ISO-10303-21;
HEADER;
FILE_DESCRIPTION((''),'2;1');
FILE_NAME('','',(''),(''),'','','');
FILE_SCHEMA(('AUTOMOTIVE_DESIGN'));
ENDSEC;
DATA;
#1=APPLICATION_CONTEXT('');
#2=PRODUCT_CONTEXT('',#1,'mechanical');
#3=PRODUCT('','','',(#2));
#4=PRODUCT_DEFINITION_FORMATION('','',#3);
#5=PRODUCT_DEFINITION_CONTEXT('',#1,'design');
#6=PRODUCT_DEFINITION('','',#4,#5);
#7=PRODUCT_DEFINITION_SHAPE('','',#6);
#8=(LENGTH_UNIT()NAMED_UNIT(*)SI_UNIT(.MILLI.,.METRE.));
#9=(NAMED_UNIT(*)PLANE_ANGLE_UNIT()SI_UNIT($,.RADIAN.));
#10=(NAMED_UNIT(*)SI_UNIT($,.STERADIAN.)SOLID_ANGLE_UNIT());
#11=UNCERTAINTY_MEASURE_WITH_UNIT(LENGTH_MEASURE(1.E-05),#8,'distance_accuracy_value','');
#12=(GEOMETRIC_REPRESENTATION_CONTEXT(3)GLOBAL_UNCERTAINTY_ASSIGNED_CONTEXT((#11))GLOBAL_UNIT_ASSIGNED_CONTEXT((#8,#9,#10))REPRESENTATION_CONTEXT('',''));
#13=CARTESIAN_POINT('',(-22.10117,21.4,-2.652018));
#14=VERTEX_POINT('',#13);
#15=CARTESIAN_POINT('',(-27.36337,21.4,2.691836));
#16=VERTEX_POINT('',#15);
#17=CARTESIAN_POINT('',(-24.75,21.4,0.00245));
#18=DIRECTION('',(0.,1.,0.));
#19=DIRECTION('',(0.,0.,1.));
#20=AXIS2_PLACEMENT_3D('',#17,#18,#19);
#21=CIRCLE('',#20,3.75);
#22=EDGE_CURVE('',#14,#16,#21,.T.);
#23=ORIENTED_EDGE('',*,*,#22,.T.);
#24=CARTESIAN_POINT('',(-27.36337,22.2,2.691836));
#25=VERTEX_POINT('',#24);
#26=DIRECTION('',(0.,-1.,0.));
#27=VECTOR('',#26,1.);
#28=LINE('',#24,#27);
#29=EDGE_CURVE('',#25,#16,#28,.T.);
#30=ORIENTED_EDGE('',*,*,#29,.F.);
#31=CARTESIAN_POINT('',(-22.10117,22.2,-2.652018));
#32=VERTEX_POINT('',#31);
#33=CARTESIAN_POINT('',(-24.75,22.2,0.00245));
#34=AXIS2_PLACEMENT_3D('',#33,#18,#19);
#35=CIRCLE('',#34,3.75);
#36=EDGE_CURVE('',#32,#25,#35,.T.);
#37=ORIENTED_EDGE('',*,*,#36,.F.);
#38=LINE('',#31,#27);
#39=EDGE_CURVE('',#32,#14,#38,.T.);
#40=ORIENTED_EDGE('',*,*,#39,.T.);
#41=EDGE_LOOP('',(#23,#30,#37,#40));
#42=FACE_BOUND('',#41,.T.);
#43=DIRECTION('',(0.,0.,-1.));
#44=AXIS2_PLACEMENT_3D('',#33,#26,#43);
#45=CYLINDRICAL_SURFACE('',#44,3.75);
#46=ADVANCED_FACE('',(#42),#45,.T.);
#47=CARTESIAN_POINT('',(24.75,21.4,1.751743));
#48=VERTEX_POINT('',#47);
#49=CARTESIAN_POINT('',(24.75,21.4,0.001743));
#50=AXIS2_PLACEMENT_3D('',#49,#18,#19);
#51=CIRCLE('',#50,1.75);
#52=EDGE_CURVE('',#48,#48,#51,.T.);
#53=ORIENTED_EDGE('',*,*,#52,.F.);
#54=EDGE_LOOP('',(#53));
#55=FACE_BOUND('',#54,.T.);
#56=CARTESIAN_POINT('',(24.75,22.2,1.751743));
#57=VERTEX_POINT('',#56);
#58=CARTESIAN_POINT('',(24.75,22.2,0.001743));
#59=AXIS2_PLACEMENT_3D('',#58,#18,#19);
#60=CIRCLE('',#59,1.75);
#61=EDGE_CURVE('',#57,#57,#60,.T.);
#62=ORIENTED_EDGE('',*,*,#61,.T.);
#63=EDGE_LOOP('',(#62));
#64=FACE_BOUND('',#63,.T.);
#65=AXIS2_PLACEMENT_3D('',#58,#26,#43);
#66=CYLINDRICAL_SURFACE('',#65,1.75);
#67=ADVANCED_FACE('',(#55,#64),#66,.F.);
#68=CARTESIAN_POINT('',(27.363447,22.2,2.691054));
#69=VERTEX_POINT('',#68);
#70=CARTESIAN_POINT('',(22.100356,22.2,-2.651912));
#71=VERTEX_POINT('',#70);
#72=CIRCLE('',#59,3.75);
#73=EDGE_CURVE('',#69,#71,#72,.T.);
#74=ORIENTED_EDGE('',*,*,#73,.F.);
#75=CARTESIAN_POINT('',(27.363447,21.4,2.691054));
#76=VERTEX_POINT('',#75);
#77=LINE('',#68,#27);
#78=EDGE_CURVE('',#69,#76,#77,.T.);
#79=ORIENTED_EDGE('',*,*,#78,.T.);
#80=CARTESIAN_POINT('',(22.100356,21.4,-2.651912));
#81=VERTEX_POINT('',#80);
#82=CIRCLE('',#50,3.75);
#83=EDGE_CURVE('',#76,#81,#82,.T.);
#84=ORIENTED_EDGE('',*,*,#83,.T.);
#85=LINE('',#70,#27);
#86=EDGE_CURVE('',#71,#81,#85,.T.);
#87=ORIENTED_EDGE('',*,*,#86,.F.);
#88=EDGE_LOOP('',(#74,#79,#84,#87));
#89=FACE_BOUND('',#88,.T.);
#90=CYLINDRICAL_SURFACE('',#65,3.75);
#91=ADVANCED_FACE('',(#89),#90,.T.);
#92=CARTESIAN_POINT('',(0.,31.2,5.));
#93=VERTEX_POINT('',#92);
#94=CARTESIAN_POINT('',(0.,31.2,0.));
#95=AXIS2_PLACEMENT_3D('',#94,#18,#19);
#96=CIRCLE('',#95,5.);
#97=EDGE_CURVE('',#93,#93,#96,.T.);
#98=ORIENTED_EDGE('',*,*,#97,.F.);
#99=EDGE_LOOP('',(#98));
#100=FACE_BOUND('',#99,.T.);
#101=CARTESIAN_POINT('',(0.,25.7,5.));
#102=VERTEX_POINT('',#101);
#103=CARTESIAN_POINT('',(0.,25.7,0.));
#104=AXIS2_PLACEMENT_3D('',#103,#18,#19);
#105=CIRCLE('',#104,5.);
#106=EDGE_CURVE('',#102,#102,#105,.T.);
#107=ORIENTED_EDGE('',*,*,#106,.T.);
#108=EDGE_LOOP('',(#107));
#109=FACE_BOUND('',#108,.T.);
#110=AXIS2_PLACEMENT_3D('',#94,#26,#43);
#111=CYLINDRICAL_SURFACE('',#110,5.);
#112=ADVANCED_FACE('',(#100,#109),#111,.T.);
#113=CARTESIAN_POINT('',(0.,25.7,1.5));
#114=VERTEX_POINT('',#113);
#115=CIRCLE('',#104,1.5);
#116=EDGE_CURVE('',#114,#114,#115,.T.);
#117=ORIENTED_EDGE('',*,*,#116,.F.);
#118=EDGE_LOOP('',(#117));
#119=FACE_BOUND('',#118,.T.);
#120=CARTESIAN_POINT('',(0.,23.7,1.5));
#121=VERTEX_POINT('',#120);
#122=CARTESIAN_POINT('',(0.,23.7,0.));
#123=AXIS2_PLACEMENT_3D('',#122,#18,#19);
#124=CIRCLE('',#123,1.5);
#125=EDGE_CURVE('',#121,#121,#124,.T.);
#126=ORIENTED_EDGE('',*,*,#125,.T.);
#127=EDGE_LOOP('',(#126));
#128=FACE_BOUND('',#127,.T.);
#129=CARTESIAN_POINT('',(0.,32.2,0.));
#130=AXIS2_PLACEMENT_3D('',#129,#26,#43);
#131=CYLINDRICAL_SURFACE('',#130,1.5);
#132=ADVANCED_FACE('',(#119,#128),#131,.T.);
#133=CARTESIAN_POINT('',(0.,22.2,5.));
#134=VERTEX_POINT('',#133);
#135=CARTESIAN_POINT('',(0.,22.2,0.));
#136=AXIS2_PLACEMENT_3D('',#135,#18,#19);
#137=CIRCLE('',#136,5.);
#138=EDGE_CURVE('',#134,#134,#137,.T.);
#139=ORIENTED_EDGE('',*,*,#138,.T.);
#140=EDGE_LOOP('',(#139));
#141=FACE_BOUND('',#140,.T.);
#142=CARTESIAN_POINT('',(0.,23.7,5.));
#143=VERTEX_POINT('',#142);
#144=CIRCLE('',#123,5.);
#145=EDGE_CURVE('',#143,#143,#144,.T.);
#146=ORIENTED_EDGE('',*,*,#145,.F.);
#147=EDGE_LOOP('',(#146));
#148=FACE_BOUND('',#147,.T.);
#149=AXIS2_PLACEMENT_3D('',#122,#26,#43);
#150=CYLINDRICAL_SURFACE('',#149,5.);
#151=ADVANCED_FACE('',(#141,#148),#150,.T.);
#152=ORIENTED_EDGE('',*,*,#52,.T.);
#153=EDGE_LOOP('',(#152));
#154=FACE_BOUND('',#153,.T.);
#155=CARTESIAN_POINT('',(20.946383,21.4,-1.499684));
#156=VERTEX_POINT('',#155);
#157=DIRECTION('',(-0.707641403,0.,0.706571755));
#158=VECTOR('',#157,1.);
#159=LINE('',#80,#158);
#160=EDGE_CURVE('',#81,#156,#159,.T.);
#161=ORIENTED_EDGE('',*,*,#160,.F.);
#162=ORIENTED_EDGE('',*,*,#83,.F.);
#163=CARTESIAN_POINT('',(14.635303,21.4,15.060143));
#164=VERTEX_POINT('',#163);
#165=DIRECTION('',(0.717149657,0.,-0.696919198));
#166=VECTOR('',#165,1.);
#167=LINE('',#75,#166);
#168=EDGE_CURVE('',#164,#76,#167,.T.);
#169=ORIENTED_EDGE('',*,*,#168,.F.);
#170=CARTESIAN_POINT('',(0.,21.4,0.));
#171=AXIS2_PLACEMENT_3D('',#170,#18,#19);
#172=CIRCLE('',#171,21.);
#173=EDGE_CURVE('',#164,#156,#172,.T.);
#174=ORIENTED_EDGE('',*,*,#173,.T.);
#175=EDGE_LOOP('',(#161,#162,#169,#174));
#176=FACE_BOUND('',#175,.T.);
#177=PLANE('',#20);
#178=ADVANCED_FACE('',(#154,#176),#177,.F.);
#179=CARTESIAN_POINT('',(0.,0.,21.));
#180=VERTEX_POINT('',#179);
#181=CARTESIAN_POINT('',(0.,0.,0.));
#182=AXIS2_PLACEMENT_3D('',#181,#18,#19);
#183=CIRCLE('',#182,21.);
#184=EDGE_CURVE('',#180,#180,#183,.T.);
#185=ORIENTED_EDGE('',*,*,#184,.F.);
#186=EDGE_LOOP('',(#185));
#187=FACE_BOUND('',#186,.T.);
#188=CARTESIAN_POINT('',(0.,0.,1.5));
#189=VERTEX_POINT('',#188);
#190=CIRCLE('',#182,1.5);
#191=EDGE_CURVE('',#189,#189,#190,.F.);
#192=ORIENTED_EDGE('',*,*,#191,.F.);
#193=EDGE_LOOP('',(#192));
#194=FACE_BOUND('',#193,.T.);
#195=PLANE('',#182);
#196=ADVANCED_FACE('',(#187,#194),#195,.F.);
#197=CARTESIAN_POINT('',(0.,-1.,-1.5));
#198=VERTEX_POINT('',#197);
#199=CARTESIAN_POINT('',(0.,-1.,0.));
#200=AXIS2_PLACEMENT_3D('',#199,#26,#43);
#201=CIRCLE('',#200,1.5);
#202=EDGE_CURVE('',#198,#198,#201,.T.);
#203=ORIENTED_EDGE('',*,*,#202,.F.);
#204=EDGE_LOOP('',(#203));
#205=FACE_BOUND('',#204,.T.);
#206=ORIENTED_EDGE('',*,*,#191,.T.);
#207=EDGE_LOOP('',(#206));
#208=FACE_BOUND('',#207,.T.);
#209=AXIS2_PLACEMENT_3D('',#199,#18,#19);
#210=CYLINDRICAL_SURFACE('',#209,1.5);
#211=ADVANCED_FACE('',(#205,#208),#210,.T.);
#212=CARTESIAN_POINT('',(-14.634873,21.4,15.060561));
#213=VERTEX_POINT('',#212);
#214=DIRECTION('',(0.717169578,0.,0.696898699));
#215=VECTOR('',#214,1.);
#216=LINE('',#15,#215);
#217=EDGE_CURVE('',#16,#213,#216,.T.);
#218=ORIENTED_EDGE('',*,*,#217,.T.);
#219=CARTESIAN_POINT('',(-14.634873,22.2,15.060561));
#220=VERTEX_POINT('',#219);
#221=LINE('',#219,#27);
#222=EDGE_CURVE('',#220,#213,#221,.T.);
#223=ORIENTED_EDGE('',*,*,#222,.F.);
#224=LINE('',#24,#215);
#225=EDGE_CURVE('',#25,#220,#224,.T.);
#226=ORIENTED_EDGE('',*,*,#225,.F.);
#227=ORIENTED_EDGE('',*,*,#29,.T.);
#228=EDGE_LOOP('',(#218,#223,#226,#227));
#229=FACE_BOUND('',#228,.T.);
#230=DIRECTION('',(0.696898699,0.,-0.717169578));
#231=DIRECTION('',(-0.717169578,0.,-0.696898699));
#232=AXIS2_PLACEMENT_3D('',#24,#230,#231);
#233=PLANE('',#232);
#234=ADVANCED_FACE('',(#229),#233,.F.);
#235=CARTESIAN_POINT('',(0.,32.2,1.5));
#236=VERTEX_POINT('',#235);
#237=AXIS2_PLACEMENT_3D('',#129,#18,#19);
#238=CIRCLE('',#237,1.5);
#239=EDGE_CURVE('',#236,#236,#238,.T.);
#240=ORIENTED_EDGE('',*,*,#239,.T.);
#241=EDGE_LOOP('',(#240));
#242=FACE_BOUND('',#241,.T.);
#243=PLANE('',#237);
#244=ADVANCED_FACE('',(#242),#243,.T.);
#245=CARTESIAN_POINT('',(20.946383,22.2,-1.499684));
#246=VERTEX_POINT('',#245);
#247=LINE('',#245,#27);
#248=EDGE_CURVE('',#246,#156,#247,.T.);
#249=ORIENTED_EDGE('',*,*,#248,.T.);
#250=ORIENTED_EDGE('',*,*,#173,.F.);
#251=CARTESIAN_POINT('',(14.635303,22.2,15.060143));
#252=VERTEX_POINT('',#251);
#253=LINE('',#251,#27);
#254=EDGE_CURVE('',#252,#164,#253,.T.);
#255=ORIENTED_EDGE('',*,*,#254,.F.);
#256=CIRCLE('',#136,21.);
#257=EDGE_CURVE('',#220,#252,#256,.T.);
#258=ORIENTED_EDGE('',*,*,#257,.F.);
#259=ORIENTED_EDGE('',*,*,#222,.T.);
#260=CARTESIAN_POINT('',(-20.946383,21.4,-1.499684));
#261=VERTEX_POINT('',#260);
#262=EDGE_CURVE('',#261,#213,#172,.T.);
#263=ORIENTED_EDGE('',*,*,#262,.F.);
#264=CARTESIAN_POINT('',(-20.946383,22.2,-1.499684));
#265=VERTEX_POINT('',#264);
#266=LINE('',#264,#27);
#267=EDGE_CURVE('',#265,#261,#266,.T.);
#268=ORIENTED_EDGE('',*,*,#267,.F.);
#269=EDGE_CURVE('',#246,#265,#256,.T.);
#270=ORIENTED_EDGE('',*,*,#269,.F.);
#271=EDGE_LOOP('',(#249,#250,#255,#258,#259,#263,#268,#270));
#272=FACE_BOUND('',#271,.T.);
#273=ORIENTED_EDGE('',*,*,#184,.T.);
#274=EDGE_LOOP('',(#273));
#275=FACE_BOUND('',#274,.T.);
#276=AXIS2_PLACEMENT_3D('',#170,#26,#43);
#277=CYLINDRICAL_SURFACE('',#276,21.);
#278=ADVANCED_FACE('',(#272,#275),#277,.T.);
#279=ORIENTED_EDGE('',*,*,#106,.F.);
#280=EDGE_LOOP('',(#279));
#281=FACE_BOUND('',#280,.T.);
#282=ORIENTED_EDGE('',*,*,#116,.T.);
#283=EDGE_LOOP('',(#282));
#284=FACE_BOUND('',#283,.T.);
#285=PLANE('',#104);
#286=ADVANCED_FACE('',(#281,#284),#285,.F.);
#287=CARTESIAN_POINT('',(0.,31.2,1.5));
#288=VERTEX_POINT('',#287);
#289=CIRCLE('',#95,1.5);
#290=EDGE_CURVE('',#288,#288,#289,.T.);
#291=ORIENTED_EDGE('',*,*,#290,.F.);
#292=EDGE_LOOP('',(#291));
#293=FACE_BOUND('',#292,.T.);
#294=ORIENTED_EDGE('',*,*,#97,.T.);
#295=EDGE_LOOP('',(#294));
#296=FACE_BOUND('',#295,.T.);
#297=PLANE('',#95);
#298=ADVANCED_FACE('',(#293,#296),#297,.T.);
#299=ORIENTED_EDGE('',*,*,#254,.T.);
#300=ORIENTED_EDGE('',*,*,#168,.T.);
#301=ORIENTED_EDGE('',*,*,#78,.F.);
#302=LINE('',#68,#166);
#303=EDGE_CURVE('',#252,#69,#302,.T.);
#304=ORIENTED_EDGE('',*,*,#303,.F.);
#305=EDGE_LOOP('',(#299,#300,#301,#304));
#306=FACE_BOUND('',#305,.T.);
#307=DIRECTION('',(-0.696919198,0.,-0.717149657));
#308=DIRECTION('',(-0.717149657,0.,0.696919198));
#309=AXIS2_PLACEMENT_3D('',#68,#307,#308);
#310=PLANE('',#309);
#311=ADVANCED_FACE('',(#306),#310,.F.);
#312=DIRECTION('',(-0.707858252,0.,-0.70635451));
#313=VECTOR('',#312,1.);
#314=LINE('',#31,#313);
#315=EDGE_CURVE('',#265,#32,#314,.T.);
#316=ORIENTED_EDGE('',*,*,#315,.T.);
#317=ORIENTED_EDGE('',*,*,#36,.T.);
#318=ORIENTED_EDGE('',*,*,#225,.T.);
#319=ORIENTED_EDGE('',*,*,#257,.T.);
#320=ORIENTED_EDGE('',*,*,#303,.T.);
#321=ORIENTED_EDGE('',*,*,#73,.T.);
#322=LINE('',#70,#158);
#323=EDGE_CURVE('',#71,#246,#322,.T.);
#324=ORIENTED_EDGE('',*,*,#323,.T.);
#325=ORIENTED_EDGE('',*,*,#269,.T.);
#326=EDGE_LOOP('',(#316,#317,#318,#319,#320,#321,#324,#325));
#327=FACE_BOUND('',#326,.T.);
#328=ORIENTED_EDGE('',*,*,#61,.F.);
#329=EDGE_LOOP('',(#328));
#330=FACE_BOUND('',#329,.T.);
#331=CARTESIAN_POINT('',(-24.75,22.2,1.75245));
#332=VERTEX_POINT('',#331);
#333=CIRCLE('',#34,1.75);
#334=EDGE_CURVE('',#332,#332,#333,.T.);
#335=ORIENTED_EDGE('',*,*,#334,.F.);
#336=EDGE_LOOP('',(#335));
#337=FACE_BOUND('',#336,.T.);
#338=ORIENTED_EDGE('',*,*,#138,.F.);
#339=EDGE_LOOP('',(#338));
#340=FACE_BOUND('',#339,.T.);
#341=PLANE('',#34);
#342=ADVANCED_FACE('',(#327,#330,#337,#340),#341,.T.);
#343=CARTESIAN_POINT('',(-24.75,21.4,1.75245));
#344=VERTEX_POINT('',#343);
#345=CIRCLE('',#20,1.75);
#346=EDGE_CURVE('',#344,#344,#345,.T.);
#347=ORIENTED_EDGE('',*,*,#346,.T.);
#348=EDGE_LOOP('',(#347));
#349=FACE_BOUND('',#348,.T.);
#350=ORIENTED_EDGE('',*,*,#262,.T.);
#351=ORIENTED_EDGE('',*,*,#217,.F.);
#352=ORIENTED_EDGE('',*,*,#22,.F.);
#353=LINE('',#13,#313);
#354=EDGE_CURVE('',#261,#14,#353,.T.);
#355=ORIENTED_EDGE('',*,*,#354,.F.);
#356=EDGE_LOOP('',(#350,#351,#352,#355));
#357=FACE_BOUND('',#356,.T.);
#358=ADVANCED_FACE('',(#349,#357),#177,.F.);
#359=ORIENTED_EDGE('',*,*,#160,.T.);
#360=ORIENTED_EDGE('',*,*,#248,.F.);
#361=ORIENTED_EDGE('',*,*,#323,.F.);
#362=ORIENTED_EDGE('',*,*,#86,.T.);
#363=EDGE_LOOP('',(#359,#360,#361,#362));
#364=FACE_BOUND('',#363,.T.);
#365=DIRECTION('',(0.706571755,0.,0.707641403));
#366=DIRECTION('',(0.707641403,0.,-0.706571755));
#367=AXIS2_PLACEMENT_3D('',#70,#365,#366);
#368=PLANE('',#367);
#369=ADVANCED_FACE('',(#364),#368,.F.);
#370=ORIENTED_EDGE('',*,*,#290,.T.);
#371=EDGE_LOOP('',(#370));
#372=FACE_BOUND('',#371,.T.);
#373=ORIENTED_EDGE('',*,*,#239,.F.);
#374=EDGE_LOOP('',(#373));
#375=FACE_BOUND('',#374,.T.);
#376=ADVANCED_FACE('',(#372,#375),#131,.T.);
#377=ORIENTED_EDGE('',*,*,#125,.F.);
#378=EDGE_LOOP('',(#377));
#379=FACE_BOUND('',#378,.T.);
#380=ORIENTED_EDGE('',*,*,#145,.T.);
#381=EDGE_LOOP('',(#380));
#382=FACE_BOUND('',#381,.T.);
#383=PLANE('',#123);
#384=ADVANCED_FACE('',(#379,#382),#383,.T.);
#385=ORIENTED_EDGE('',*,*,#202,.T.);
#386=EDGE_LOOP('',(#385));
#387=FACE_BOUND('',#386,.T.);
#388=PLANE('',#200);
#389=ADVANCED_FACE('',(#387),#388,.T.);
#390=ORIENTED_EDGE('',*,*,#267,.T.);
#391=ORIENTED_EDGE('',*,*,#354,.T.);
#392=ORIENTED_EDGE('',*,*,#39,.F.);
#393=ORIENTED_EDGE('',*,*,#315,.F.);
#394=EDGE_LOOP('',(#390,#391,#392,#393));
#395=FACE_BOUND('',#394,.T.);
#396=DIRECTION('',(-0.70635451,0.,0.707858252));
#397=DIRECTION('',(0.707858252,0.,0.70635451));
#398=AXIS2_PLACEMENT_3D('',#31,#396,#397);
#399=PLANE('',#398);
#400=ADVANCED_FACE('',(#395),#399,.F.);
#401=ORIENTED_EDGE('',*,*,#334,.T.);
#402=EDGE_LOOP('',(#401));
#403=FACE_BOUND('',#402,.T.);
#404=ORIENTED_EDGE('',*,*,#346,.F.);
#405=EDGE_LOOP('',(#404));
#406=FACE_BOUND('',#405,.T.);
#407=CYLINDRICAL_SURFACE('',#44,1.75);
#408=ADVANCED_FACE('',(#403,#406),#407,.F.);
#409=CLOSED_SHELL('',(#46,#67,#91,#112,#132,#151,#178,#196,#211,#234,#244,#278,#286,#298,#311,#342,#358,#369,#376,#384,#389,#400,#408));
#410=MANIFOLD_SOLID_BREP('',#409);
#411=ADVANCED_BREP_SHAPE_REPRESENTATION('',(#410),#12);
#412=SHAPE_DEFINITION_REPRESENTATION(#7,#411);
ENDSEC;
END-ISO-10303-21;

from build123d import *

# Parameters (mm, degrees)
CROQUIS1_R              = 21
SALIENTE_EXTRUIR1_DEPTH = 21.4
CROQUIS2_R              = 1.750000001
CROQUIS2_R_2            = 1.75
SALIENTE_EXTRUIR2_DEPTH = 0.8
CROQUIS3_R              = 5
SALIENTE_EXTRUIR3_DEPTH = 1.5
CROQUIS4_R              = 1.5
SALIENTE_EXTRUIR4_DEPTH = 8.5
CROQUIS5_R              = 5
CROQUIS5_R_2            = 1.5
SALIENTE_EXTRUIR5_DEPTH = 5.5
SALIENTE_EXTRUIR6_START = 1
CROQUIS6_R              = 1.5
SALIENTE_EXTRUIR6_DEPTH = 1


with BuildPart() as part:
    # Croquis1 → Saliente-Extruir1 (new body)
    with BuildSketch(Plane(origin=(0, 0, 0), x_dir=(1, 0, 0), z_dir=(0, 1, 0))):
        with Locations(Location((0, 0, 0), (0, 0, 270))):
            Circle(CROQUIS1_R)
    extrude(amount=SALIENTE_EXTRUIR1_DEPTH)

    # Croquis2 → Saliente-Extruir2 (add)
    with BuildSketch(Plane(origin=(0, 21.4, 0), x_dir=(1, 0, 0), z_dir=(0, 1, 0))):
        with BuildLine():
            Line((-27.36337, -2.691836219), (-14.634872681, -15.060561132))
            ThreePointArc((-14.634872681, -15.060561132), (0.00030013, -20.999999998), (14.635303163, -15.060142806))
            Line((14.635303163, -15.060142806), (27.363446993, -2.691054009))
            ThreePointArc((27.363446993, -2.691054009), (27.421544543, 2.629863133), (22.100355918, 2.651912466))
            Line((22.100355918, 2.651912466), (20.946382723, 1.499683579))
            ThreePointArc((20.946382723, 1.499683579), (1e-09, 21), (-20.946382722, 1.499683581))
            Line((-20.946382722, 1.499683581), (-22.101170465, 2.652018145))
            ThreePointArc((-22.101170465, 2.652018145), (-27.421985882, 2.628707389), (-27.36337, -2.691836219))
        make_face()
        with Locations(Location((24.75, -0.001742794, 0), (0, 0, 270))):
            Circle(CROQUIS2_R, mode=Mode.SUBTRACT)
        with Locations(Location((-24.749999879, -0.002450302, 0), (0, 0, 270))):
            Circle(CROQUIS2_R_2, mode=Mode.SUBTRACT)
    extrude(amount=SALIENTE_EXTRUIR2_DEPTH)

    # Croquis3 → Saliente-Extruir3 (add)
    with BuildSketch(Plane(origin=(0, 22.2, 0), x_dir=(1, 0, 0), z_dir=(0, 1, 0))):
        with Locations(Location((0, 0, 0), (0, 0, 270))):
            Circle(CROQUIS3_R)
    extrude(amount=SALIENTE_EXTRUIR3_DEPTH)

    # Croquis4 → Saliente-Extruir4 (add)
    with BuildSketch(Plane(origin=(0, 23.7, 0), x_dir=(1, 0, 0), z_dir=(0, 1, 0))):
        with Locations(Location((0, 0, 0), (0, 0, 270))):
            Circle(CROQUIS4_R)
    extrude(amount=SALIENTE_EXTRUIR4_DEPTH)

    # Croquis5 → Saliente-Extruir5 (add)
    with BuildSketch(Plane(origin=(0, 25.7, 0), x_dir=(1, 0, 0), z_dir=(0, 1, 0))):
        with Locations(Location((0, 0, 0), (0, 0, 270))):
            Circle(CROQUIS5_R)
        with Locations(Location((0, 0, 0), (0, 0, 270))):
            Circle(CROQUIS5_R_2, mode=Mode.SUBTRACT)
    extrude(amount=SALIENTE_EXTRUIR5_DEPTH)

    # Croquis6 → Saliente-Extruir6 (add)
    with BuildSketch(Plane.XZ.offset(SALIENTE_EXTRUIR6_START)):
        with Locations(Location((0, 0, 0), (0, 0, 90))):
            Circle(CROQUIS6_R)
    extrude(amount=-SALIENTE_EXTRUIR6_DEPTH)


solid = part.part
